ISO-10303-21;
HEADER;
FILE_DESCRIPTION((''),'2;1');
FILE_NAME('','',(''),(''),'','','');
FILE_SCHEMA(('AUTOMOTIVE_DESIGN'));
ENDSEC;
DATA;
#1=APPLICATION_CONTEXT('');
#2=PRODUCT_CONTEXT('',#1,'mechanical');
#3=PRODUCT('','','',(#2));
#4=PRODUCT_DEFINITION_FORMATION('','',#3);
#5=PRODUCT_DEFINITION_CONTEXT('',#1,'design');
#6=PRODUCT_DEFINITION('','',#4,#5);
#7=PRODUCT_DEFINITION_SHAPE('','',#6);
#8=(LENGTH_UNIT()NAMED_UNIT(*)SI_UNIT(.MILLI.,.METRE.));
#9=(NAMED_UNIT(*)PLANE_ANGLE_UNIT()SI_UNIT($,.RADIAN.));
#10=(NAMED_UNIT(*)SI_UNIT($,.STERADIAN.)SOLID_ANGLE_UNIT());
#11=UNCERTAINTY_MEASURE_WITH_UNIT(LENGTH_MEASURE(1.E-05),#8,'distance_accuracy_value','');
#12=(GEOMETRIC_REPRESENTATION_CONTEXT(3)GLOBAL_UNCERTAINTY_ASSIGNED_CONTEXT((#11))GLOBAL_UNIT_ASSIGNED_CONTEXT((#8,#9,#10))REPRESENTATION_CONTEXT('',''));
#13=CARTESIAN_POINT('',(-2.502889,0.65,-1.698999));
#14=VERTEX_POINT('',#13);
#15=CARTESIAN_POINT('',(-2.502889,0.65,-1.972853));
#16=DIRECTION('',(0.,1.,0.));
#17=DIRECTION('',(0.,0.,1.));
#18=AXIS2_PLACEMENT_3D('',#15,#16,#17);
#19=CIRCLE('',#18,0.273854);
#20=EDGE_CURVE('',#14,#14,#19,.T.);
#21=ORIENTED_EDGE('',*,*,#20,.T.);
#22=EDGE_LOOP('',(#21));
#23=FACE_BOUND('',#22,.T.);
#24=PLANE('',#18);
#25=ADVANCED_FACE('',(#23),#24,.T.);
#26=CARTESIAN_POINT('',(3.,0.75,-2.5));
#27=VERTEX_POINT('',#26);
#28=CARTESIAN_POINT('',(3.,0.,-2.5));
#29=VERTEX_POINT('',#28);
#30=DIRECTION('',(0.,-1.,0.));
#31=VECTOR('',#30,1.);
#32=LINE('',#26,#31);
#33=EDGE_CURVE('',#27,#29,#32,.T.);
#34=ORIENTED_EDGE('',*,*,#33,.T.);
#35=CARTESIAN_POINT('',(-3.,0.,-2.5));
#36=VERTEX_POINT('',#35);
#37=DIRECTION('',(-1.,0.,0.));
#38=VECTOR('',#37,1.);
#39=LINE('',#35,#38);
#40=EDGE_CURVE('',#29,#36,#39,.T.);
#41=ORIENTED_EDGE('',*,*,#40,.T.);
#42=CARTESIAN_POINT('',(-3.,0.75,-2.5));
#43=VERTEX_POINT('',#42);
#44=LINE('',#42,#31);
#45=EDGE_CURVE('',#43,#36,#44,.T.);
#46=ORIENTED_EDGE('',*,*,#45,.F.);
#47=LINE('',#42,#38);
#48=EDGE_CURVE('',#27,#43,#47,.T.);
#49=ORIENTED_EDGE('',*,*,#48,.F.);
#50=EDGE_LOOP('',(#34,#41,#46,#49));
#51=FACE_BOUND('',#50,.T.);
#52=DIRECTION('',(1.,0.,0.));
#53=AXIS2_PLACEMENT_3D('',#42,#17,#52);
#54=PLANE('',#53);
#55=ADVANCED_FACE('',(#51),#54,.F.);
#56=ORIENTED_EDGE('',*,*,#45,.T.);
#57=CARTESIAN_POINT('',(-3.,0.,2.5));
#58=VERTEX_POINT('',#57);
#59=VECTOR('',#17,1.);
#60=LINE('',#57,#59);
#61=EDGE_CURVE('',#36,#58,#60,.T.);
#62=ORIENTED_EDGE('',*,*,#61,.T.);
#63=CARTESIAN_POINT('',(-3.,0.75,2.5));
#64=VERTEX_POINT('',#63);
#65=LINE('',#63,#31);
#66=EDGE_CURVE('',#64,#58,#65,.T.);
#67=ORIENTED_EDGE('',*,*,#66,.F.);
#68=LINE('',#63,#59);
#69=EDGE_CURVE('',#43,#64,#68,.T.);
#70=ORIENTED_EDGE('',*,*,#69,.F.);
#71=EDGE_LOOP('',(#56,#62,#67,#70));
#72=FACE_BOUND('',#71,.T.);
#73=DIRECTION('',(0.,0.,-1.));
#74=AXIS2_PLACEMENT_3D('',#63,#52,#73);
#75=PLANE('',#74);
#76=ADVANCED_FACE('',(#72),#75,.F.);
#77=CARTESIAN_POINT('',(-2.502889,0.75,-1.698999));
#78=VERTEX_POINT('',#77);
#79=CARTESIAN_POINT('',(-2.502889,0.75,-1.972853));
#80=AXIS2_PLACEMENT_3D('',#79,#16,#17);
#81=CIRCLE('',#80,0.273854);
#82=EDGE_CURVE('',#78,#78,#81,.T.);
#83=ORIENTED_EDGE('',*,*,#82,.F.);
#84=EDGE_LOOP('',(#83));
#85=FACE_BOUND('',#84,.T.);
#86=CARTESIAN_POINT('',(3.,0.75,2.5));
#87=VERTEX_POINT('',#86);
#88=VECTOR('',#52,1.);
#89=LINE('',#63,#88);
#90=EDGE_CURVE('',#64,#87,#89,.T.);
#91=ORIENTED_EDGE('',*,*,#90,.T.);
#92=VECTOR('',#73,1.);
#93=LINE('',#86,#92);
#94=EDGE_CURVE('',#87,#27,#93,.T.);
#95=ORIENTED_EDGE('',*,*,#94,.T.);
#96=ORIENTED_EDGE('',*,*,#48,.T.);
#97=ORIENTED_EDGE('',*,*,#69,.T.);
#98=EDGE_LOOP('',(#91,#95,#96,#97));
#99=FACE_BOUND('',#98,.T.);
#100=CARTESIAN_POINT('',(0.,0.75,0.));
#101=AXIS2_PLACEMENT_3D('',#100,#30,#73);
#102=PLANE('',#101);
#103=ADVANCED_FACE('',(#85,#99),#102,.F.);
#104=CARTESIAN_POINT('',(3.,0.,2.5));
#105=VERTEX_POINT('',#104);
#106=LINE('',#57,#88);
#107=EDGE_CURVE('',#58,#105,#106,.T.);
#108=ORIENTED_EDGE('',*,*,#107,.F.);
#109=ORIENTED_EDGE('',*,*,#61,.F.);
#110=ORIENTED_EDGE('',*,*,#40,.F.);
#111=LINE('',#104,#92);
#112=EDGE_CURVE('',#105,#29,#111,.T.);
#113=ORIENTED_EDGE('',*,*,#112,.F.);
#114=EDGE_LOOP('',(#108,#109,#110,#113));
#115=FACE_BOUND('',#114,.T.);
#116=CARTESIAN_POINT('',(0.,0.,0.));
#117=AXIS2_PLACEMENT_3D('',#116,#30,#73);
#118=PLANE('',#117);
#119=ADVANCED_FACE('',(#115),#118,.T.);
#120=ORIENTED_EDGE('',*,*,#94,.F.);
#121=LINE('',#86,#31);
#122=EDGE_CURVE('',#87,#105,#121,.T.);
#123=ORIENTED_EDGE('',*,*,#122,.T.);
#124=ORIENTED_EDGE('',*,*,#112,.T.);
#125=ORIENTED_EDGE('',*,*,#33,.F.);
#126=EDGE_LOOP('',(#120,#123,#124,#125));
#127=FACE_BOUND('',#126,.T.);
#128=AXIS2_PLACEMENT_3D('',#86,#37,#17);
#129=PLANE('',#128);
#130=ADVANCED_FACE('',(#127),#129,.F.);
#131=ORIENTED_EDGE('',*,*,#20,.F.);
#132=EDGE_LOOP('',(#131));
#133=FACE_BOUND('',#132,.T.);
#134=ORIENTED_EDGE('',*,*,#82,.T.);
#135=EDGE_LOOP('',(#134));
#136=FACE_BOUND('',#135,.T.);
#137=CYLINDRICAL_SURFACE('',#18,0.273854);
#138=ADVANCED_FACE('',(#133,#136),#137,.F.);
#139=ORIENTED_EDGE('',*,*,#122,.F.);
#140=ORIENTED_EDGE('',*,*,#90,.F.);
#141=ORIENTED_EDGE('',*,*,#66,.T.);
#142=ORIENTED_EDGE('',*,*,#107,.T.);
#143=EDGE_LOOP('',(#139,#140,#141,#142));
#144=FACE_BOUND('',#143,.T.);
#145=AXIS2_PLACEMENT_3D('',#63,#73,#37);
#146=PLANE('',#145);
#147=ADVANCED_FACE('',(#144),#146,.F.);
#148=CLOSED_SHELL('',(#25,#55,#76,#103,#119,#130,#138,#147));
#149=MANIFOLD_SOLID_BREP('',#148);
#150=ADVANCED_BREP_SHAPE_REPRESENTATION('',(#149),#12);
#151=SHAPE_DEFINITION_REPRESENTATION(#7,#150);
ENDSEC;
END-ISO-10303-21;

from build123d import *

# Parameters (mm, degrees)
SKETCH1_W           = 6
SKETCH1_H           = 5
BOSS_EXTRUDE1_DEPTH = 0.75
SKETCH2_R           = 0.27385381
CUT_EXTRUDE1_DEPTH  = 0.1


with BuildPart() as part:
    # Sketch1 → Boss-Extrude1 (new body)
    with BuildSketch(Plane(origin=(0, 0, 0), x_dir=(1, 0, 0), z_dir=(0, 1, 0))):
        Rectangle(SKETCH1_W, SKETCH1_H)
    extrude(amount=BOSS_EXTRUDE1_DEPTH)

    # Sketch2 → Cut-Extrude1 (cut)
    with BuildSketch(Plane(origin=(0, 0.75, 0), x_dir=(1, 0, 0), z_dir=(0, 1, 0))):
        with Locations(Location((-2.502889267, 1.972852669, 0), (0, 0, 270))):
            Circle(SKETCH2_R)
    extrude(amount=-CUT_EXTRUDE1_DEPTH, mode=Mode.SUBTRACT)


solid = part.part
